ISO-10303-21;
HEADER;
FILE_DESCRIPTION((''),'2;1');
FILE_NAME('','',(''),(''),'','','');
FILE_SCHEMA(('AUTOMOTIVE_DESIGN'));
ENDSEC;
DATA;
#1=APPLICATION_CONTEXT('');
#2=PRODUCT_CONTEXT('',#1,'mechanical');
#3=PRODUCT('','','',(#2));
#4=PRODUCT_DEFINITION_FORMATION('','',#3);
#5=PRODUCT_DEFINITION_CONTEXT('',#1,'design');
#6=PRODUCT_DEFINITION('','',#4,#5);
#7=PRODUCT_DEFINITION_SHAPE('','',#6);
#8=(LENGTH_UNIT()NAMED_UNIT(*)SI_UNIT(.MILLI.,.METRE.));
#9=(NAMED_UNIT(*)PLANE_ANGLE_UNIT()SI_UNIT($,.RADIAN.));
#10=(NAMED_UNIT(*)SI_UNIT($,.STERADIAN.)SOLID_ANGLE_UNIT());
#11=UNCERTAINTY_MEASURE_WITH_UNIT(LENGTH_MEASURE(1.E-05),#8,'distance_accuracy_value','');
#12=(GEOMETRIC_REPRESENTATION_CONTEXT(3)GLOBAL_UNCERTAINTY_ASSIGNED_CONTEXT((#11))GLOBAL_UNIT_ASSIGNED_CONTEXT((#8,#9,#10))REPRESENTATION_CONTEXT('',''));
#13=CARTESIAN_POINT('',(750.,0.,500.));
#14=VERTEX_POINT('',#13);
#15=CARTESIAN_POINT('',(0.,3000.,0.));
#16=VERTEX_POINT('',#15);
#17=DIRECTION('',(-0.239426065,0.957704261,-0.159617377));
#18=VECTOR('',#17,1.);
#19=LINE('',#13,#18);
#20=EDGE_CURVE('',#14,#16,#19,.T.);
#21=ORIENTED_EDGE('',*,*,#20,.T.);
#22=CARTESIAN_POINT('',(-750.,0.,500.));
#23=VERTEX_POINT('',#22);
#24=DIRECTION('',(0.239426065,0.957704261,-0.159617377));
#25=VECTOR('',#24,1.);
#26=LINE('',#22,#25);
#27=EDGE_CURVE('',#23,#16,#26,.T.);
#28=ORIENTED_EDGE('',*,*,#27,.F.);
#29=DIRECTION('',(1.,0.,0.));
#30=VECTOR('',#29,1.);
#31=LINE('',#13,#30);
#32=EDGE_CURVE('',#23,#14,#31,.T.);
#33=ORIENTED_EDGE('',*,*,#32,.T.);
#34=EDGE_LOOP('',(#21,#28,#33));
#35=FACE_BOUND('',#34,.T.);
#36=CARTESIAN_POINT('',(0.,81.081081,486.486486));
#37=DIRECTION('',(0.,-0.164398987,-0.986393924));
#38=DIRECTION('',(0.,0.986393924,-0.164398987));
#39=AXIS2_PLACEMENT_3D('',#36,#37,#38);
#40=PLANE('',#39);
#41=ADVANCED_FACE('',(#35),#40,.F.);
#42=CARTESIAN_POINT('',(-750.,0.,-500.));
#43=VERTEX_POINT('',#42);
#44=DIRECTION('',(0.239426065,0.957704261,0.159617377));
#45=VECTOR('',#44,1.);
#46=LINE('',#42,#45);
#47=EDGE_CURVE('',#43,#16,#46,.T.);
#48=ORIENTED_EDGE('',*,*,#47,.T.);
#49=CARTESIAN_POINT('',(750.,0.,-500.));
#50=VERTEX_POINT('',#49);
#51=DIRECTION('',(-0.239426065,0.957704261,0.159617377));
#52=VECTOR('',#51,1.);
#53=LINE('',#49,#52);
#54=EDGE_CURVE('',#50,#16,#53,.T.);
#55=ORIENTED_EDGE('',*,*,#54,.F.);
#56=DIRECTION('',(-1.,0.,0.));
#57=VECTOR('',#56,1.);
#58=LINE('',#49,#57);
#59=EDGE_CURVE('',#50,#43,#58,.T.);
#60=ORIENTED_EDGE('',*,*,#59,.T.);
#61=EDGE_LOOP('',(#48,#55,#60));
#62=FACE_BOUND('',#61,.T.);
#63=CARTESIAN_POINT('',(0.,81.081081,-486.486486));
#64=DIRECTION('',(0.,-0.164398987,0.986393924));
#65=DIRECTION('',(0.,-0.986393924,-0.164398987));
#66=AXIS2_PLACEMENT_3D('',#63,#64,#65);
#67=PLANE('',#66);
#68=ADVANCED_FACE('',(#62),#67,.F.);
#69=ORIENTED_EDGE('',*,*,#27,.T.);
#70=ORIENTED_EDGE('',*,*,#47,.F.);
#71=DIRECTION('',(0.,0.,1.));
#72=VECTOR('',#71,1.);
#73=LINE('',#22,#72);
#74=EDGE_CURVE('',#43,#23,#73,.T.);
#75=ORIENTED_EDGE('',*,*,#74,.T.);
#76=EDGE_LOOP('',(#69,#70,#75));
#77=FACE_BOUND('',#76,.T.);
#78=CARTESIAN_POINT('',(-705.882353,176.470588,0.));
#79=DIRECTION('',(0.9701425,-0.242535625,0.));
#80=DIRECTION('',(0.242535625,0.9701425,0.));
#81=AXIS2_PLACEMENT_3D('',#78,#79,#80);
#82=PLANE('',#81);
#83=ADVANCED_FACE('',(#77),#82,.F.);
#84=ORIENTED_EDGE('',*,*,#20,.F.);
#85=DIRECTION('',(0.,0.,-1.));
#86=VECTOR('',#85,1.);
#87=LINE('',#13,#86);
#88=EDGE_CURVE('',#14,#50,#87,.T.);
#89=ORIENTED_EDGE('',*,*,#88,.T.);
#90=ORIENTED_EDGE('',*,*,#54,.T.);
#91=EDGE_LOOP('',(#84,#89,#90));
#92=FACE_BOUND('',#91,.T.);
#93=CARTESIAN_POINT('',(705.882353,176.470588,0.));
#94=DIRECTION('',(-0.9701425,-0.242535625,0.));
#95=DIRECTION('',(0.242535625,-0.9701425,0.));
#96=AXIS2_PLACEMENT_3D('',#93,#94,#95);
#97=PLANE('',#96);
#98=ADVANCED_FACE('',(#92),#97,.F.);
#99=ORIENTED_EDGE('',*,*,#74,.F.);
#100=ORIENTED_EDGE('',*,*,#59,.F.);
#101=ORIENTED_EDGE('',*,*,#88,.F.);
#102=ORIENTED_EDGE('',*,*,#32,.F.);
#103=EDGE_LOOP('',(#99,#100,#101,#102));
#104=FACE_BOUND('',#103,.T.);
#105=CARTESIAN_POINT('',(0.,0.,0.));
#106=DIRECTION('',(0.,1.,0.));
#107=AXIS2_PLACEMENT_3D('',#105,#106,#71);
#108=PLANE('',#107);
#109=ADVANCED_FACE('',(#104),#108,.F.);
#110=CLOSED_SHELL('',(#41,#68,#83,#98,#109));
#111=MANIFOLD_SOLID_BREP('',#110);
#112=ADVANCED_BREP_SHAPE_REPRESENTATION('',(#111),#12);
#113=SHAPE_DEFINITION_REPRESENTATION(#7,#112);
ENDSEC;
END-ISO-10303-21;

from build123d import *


with BuildPart() as part:
    # 草图1 → 放样1 section 0
    with BuildSketch(Plane(origin=(0, 0, 0), x_dir=(1, 0, 0), z_dir=(0, 1, 0)), mode=Mode.PRIVATE) as loft_1_s0:
        with BuildLine():
            Line((750, -500), (-750, -500))
            Line((-750, -500), (-750, 500))
            Line((-750, 500), (750, 500))
            Line((750, 500), (750, -500))
        make_face()
    loft([loft_1_s0.sketch, Vertex(0, 3000, 0)])


solid = part.part
